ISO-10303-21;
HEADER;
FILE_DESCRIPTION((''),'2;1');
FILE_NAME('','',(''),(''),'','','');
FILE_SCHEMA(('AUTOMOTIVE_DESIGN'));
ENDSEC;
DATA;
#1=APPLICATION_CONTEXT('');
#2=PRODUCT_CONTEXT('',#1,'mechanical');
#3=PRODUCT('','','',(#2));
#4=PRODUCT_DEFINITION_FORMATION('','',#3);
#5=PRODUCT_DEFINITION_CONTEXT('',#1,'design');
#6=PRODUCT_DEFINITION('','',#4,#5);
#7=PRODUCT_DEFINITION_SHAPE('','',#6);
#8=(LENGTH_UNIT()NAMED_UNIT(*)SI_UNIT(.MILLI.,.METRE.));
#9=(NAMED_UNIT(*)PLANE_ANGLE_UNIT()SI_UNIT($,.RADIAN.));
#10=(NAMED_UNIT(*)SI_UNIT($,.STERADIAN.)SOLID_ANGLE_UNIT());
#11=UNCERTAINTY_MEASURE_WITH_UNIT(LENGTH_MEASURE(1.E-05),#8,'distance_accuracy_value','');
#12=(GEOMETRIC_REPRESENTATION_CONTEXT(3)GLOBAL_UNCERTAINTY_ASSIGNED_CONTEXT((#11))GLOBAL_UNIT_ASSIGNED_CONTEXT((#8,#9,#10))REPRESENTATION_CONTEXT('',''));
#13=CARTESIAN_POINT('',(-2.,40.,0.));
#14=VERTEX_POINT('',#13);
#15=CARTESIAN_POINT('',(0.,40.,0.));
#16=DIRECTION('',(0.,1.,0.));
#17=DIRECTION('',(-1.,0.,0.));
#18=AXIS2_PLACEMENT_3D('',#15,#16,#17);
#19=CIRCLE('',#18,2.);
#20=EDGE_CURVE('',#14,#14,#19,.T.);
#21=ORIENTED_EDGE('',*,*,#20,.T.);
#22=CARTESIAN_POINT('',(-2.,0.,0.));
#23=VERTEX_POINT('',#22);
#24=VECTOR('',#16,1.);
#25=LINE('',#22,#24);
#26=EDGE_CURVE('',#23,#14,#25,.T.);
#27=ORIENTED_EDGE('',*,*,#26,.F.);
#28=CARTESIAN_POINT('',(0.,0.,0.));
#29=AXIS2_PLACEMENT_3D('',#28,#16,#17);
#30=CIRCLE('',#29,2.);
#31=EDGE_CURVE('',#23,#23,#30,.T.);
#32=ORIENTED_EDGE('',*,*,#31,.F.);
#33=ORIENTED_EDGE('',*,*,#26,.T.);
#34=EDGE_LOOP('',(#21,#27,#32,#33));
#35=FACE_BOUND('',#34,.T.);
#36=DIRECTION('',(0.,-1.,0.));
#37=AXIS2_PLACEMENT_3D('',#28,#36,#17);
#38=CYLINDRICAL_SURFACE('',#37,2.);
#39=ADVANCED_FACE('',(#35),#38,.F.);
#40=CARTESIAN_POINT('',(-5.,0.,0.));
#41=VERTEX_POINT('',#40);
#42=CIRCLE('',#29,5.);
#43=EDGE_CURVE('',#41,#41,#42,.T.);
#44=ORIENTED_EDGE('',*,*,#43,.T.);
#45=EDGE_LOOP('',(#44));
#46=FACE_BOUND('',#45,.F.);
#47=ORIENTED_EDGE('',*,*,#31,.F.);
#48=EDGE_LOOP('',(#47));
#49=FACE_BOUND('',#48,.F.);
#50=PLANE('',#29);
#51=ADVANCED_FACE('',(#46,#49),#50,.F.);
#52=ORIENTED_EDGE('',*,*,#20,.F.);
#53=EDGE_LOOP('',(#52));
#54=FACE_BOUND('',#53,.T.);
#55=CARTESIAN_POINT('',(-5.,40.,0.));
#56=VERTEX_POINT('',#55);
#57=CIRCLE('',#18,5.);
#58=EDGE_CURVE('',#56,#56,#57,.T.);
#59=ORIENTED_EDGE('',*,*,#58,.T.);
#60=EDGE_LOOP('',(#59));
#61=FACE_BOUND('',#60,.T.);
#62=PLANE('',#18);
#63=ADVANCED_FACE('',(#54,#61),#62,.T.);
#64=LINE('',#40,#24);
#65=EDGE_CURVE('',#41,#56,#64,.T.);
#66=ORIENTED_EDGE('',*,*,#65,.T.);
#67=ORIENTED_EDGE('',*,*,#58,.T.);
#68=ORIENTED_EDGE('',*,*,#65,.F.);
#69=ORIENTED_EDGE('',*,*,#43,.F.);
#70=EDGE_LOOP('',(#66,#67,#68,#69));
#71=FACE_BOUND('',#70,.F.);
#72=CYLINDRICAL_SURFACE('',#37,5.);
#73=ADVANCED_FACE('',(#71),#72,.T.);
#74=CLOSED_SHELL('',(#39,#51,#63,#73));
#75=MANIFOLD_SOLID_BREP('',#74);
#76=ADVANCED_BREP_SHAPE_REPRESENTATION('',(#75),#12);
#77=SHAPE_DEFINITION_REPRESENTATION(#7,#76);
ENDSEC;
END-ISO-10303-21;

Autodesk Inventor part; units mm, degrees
ref_plane "YZ Plane" through (0, 0, 0) normal (1, 0, 0) x (0, 1, 0)
ref_plane "XZ Plane" through (0, 0, 0) normal (0, 1, 0) x (-1, 0, 0)
ref_plane "XY Plane" through (0, 0, 0) normal (0, 0, 1) x (1, 0, 0)
sketch "Sketch1" plane through (0, 0, 0) normal (0, 1, 0) x (-1, 0, 0)
  circle A0 centre (0, 0) radius 2
  circle A1 centre (0, 0) radius 5
  dimension "d0" = 4
  dimension "d1" = 10
extrude "Extrusion1" add sketch "Sketch1" along normal blind 40
properties part number "Spacer"
